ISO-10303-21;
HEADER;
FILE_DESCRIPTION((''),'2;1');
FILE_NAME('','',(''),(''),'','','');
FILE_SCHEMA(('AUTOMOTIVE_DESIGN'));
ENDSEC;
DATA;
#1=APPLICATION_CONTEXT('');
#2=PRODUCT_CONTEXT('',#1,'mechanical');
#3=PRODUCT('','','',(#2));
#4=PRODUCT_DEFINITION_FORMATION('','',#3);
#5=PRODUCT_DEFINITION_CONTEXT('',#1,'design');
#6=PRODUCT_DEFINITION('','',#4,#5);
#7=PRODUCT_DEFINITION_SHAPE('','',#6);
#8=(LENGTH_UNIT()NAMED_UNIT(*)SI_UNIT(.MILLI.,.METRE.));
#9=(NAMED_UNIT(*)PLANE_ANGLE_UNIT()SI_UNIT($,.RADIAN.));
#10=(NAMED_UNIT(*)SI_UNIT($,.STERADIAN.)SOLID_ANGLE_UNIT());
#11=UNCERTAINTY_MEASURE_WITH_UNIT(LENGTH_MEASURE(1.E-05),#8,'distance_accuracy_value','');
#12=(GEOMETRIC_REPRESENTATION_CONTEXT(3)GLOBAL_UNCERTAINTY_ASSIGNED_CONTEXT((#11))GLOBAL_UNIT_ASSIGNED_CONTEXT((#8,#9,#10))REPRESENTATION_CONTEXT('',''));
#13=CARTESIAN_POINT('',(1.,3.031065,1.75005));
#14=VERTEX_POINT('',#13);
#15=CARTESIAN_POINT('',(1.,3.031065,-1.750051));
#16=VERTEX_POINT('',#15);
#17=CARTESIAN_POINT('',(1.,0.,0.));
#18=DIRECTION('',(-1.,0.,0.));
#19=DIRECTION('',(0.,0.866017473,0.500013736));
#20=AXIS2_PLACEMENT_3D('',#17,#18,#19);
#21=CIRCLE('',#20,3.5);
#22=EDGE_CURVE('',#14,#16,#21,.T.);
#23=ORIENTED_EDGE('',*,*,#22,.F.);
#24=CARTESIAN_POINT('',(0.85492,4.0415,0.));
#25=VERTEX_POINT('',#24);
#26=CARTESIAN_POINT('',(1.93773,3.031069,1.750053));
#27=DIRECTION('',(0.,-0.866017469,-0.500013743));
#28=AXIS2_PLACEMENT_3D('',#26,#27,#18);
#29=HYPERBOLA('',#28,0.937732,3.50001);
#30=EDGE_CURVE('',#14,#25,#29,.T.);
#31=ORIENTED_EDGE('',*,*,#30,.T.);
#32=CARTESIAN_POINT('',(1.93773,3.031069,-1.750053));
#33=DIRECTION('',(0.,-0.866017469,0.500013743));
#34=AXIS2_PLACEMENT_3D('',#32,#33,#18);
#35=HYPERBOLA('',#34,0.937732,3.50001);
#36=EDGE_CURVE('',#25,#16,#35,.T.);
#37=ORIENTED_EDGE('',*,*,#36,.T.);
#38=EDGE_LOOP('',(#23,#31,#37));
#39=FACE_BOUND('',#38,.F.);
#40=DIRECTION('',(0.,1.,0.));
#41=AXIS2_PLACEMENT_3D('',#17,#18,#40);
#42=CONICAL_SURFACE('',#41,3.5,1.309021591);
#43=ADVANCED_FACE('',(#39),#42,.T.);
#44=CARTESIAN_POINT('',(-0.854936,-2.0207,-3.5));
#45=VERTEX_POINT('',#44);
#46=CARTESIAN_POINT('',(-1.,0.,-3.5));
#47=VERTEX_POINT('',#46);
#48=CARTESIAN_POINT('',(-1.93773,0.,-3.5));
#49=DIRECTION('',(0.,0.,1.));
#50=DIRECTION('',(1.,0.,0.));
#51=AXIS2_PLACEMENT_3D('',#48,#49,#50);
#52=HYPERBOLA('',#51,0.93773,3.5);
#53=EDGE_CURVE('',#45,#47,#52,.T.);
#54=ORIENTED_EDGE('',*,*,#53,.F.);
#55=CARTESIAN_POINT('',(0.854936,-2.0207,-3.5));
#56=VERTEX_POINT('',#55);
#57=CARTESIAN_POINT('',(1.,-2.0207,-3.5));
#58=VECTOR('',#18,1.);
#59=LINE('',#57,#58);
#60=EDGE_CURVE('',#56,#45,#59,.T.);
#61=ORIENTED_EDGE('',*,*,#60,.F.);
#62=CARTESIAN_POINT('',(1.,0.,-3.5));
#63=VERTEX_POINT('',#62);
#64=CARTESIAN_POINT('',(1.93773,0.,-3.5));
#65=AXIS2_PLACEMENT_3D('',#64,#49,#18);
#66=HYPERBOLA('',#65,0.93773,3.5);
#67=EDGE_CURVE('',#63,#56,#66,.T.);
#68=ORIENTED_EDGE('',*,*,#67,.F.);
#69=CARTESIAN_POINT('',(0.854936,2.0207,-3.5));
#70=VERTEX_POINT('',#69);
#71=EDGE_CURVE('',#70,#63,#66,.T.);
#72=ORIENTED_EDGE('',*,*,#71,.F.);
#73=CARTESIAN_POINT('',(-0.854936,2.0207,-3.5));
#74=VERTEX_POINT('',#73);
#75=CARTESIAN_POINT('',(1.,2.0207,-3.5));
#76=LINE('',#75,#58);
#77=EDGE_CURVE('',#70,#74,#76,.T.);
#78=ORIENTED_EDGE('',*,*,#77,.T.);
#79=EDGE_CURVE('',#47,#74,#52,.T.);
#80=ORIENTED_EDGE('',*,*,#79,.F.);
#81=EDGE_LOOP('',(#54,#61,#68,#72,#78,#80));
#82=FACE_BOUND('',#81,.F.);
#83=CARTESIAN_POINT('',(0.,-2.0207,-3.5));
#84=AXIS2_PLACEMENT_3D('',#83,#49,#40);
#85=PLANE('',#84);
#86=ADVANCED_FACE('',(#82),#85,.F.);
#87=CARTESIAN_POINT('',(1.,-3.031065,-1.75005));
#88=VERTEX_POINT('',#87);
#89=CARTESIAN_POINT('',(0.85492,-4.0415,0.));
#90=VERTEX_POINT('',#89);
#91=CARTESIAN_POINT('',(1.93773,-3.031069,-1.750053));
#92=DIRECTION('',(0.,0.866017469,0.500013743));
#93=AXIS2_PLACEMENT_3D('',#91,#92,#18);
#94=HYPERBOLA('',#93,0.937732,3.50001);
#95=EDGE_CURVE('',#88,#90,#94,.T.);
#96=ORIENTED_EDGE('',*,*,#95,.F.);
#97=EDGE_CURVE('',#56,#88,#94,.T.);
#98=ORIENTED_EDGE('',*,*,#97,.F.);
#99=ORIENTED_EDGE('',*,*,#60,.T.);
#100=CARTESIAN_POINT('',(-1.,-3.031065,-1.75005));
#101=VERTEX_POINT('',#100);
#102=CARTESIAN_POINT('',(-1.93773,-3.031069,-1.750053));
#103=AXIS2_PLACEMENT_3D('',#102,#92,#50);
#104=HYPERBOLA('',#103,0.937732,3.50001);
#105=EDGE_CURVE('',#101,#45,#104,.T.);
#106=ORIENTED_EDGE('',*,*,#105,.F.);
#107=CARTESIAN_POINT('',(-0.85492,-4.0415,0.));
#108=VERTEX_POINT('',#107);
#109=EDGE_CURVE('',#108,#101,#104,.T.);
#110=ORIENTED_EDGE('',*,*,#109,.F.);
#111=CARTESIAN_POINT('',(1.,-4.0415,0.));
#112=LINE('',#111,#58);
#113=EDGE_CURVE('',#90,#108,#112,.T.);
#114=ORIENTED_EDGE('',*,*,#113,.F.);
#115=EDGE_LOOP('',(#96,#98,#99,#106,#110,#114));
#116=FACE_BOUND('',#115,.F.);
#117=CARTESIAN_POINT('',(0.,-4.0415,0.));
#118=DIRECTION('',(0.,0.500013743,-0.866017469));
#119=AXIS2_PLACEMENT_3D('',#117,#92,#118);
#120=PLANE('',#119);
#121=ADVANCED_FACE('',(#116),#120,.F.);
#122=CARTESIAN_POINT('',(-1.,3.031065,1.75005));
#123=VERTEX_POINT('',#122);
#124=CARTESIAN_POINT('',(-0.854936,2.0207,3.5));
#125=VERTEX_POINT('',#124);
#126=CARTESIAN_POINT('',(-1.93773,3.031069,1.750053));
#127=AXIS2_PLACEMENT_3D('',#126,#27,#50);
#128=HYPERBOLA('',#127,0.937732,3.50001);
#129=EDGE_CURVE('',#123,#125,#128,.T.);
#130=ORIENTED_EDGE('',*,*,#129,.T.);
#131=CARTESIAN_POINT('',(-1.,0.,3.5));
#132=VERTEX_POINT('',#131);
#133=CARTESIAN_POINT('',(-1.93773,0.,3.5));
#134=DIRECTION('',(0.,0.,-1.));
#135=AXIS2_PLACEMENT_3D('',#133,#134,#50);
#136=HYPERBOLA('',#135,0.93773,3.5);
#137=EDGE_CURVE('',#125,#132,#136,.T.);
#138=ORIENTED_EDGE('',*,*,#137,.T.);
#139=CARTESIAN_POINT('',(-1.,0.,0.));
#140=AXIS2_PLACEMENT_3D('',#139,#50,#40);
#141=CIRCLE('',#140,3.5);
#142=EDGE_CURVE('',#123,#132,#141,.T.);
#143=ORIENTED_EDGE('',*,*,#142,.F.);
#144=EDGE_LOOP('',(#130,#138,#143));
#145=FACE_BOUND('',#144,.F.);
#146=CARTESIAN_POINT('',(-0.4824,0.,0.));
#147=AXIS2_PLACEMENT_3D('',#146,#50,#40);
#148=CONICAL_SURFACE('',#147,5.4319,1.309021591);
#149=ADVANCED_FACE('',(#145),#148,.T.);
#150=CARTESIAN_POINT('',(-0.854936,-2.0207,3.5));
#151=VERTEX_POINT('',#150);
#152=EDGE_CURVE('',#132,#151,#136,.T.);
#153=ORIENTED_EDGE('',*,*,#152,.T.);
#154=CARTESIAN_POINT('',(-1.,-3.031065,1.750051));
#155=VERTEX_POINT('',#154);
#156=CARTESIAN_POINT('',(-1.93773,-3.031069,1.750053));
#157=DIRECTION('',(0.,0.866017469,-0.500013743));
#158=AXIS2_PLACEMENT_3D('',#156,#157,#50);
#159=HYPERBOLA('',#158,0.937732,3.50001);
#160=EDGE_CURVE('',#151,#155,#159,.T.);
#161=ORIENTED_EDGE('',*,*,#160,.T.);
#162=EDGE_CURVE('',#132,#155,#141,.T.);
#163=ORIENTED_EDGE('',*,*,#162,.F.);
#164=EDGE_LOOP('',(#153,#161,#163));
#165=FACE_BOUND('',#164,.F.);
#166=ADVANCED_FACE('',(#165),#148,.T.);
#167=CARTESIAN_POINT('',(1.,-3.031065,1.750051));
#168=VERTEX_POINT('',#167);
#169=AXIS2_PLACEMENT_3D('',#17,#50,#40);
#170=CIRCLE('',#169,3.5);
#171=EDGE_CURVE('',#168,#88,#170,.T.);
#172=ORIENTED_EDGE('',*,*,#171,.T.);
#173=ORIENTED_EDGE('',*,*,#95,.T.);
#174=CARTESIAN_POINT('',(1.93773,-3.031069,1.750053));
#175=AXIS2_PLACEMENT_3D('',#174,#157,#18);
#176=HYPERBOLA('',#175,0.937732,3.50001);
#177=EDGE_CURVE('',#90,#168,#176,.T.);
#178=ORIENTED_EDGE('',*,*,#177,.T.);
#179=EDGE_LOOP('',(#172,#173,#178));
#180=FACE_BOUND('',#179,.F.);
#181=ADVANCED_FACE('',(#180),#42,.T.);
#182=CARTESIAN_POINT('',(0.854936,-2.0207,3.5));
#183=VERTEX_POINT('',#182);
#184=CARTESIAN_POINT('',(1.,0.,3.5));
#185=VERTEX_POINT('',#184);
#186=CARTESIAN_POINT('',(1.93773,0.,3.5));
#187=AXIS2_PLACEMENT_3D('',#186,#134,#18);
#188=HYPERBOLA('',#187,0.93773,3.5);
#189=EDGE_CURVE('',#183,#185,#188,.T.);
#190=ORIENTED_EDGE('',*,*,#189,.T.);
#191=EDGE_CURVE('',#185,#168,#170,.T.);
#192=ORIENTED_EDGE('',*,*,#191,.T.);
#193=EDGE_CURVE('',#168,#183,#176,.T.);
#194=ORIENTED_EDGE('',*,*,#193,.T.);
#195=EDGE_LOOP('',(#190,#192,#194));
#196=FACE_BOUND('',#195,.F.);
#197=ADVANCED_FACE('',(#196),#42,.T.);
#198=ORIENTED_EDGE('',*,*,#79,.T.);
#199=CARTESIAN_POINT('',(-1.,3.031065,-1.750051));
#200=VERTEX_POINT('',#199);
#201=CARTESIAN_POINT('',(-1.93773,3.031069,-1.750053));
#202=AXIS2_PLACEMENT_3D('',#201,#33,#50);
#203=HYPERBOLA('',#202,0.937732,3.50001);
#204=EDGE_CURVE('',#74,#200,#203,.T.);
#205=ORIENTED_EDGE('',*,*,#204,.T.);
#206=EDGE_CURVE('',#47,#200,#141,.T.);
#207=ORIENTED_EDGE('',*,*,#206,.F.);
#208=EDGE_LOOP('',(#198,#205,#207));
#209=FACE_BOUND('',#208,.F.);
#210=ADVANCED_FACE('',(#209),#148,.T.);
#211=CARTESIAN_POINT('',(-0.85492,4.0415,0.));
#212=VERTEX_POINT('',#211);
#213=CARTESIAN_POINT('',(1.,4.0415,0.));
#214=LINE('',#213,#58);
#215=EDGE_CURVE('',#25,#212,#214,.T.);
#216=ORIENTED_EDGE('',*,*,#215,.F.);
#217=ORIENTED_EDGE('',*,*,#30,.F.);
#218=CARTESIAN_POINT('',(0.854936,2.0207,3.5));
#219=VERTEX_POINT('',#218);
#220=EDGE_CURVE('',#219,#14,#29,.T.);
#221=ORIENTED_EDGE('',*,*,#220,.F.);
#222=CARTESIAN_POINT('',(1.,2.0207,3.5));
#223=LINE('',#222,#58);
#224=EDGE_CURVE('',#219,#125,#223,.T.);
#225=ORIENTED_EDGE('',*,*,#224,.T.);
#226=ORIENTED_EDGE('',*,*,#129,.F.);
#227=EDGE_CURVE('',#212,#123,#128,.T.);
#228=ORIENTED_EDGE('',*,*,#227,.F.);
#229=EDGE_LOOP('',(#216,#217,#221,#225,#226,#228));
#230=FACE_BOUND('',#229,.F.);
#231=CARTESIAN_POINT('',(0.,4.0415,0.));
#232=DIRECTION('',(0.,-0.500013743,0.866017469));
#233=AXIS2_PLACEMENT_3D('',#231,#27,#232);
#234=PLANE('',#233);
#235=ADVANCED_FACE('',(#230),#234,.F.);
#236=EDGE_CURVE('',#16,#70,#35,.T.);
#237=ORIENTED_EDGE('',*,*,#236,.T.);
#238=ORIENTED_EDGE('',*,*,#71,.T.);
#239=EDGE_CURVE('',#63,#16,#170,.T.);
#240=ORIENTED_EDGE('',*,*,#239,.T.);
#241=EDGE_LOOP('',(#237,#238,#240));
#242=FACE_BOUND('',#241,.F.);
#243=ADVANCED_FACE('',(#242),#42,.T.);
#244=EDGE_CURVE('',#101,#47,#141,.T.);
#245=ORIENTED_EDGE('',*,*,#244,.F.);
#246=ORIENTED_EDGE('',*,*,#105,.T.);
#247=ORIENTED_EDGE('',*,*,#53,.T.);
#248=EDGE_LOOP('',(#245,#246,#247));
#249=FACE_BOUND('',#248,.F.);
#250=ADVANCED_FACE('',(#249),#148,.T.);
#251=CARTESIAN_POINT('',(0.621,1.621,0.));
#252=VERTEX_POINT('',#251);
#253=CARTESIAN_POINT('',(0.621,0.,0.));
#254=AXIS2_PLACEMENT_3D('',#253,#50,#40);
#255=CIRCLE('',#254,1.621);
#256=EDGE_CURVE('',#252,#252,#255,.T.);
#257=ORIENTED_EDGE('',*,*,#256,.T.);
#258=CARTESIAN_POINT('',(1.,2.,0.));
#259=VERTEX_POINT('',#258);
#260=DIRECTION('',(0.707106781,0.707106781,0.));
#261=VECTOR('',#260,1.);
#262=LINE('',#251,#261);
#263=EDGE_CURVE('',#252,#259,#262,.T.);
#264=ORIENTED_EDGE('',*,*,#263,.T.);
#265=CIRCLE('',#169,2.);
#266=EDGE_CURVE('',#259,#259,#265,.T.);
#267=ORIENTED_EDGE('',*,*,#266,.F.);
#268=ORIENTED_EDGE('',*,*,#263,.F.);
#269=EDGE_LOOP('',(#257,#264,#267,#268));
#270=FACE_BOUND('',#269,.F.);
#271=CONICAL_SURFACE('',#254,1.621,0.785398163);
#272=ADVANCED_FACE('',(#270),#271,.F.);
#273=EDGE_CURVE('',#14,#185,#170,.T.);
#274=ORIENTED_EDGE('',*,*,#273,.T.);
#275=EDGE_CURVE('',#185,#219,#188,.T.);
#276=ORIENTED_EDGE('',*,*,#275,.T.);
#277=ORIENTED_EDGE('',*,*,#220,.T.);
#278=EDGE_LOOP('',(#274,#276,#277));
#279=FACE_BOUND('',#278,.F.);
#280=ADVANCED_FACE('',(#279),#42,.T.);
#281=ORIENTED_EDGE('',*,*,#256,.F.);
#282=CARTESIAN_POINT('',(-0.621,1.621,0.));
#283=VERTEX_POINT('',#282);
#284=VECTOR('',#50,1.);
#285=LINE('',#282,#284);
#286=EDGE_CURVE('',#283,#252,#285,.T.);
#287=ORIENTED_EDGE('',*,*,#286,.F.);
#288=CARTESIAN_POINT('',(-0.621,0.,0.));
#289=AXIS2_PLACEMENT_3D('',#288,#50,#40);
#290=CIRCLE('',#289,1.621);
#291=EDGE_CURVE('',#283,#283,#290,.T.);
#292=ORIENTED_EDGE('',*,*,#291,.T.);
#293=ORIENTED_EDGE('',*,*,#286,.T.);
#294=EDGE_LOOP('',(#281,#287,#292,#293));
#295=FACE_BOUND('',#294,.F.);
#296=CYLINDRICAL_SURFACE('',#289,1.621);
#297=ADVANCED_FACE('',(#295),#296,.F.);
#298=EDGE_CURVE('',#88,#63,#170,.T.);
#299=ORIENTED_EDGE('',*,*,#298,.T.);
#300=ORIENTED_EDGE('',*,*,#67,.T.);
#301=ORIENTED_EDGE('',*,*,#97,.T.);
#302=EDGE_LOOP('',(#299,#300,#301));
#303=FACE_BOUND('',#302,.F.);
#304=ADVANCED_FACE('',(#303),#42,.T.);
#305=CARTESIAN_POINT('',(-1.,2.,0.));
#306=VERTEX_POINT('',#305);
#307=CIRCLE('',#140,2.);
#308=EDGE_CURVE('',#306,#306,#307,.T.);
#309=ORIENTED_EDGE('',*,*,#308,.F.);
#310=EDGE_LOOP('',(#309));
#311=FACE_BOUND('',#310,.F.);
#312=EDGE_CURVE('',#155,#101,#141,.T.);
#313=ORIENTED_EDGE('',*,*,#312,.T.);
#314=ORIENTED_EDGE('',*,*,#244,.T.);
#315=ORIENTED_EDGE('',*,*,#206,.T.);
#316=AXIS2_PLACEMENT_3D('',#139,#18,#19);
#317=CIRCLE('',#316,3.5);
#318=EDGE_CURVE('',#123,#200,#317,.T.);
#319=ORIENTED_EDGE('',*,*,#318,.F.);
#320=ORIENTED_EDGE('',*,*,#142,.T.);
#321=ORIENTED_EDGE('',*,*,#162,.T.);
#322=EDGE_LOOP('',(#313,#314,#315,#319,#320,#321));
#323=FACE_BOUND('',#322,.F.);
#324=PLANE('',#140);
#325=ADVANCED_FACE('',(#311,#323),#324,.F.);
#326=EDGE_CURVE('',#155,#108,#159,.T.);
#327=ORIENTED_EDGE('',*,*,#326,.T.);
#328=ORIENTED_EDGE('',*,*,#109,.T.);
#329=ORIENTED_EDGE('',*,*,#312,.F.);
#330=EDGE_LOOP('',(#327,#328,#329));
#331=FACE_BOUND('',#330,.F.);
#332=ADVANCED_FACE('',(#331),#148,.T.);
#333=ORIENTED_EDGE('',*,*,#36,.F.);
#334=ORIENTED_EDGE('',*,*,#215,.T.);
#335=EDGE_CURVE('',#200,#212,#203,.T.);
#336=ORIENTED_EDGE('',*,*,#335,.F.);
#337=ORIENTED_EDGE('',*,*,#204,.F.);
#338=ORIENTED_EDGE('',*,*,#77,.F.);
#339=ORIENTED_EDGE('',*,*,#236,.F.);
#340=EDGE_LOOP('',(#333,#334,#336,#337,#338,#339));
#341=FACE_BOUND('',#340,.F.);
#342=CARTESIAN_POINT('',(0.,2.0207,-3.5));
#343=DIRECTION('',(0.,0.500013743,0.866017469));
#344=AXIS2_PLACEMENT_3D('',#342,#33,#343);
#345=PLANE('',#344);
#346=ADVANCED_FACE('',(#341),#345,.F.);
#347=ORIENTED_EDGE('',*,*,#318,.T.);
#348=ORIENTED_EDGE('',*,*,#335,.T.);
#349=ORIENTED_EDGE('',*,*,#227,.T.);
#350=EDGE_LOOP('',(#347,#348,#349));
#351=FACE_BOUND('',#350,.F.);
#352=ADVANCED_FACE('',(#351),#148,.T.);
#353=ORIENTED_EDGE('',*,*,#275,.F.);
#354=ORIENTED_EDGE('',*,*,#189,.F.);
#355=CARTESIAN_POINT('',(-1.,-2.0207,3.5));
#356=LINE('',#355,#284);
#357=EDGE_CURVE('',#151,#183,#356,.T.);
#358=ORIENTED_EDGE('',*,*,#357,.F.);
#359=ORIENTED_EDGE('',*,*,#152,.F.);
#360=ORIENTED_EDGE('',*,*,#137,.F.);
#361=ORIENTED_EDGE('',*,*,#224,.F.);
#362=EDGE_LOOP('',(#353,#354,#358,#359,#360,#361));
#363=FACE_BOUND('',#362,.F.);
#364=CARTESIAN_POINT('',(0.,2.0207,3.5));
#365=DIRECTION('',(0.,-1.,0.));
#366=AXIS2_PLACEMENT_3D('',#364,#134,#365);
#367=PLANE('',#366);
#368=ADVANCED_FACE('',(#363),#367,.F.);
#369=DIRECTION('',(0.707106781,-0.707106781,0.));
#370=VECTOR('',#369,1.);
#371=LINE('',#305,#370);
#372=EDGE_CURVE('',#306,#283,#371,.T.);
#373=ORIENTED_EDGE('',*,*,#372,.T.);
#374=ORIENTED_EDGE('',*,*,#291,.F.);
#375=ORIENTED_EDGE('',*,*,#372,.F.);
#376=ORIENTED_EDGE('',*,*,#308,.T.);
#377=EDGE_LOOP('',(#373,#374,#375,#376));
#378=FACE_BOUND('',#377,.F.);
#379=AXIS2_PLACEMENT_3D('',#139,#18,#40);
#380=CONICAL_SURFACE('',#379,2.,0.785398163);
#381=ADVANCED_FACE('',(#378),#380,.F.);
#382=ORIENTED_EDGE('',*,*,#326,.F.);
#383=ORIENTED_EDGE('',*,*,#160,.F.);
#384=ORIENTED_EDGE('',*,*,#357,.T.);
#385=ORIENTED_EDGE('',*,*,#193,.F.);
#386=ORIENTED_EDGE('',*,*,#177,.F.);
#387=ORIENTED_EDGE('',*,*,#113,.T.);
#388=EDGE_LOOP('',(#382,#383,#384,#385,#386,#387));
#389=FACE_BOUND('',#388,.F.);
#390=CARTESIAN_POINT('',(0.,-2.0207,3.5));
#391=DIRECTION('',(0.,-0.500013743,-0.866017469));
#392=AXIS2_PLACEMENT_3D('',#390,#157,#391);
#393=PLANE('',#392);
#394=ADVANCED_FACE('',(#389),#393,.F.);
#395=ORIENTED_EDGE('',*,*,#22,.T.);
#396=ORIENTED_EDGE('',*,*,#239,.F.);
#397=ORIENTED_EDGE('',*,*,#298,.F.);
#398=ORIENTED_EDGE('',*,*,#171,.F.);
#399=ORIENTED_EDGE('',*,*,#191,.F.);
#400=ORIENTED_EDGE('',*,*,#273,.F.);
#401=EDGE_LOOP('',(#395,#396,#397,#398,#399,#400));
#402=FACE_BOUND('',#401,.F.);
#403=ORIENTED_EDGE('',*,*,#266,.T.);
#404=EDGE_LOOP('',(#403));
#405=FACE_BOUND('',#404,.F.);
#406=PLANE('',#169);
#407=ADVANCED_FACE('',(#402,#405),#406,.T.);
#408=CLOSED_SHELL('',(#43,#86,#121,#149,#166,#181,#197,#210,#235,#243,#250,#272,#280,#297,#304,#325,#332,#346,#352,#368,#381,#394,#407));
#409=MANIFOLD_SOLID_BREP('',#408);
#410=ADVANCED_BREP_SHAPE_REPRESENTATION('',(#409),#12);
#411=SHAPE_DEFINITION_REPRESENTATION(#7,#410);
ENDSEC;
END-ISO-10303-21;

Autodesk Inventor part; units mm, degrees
sketch "Sketch_1" plane through (0, 0, 0) normal (0, 0, 1) x (1, 0, 0)
  line L0 (1, 0) -> (-1, 0)
  line L1 (-1, 2) -> (-0.621, 1.621)
  line L2 (-0.621, 1.621) -> (0.621, 1.621)
  line L3 (0.621, 1.621) -> (1, 2)
  line L4 (1, 2) -> (1, 3.5)
  line L5 (1, 3.5) -> (0.4824, 5.4319)
  line L6 (0.4824, 5.4319) -> (-0.4824, 5.4319)
  line L7 (-0.4824, 5.4319) -> (-1, 3.5)
  line L8 (-1, 3.5) -> (-1, 2)
revolve "Revolution1" add sketch "Sketch_1" angle 360 about axis through (1, 0, 0) along (1, 0, 0)
thread "Thread1" size "M4x0.7" class "6H" standard "ISO Metric profile" full length
sketch "Sketch_2" plane through (0, 0, 0) normal (1, 0, 0) x (0, 1, 0)
  line L0 (-14, 14) -> (-14, -14)
  line L1 (-14, -14) -> (14, -14)
  line L2 (14, -14) -> (14, 14)
  line L3 (14, 14) -> (-14, 14)
  line L4 (-2.0207, 3.5) -> (-4.0415, 0)
  line L5 (-4.0415, 0) -> (-2.0207, -3.5)
  line L6 (-2.0207, -3.5) -> (2.0207, -3.5)
  line L7 (2.0207, -3.5) -> (4.0415, 0)
  line L8 (4.0415, 0) -> (2.0207, 3.5)
  line L9 (2.0207, 3.5) -> (-2.0207, 3.5)
extrude "Extrusion1" cut sketch "Sketch_2" along normal mid plane 2
ref_plane "NUT_XY" through (0, 0, 0) normal (1, 0, 0) x (0, 0, -1)
ref_plane "NUT_YZ" through (0, 0, 0) normal (0, 0, -1) x (0, 1, 0)
ref_plane "NUT_ZX" through (0, 0, 0) normal (0, 1, 0) x (1, 0, 0)
properties part number "RM/8010_N2"
